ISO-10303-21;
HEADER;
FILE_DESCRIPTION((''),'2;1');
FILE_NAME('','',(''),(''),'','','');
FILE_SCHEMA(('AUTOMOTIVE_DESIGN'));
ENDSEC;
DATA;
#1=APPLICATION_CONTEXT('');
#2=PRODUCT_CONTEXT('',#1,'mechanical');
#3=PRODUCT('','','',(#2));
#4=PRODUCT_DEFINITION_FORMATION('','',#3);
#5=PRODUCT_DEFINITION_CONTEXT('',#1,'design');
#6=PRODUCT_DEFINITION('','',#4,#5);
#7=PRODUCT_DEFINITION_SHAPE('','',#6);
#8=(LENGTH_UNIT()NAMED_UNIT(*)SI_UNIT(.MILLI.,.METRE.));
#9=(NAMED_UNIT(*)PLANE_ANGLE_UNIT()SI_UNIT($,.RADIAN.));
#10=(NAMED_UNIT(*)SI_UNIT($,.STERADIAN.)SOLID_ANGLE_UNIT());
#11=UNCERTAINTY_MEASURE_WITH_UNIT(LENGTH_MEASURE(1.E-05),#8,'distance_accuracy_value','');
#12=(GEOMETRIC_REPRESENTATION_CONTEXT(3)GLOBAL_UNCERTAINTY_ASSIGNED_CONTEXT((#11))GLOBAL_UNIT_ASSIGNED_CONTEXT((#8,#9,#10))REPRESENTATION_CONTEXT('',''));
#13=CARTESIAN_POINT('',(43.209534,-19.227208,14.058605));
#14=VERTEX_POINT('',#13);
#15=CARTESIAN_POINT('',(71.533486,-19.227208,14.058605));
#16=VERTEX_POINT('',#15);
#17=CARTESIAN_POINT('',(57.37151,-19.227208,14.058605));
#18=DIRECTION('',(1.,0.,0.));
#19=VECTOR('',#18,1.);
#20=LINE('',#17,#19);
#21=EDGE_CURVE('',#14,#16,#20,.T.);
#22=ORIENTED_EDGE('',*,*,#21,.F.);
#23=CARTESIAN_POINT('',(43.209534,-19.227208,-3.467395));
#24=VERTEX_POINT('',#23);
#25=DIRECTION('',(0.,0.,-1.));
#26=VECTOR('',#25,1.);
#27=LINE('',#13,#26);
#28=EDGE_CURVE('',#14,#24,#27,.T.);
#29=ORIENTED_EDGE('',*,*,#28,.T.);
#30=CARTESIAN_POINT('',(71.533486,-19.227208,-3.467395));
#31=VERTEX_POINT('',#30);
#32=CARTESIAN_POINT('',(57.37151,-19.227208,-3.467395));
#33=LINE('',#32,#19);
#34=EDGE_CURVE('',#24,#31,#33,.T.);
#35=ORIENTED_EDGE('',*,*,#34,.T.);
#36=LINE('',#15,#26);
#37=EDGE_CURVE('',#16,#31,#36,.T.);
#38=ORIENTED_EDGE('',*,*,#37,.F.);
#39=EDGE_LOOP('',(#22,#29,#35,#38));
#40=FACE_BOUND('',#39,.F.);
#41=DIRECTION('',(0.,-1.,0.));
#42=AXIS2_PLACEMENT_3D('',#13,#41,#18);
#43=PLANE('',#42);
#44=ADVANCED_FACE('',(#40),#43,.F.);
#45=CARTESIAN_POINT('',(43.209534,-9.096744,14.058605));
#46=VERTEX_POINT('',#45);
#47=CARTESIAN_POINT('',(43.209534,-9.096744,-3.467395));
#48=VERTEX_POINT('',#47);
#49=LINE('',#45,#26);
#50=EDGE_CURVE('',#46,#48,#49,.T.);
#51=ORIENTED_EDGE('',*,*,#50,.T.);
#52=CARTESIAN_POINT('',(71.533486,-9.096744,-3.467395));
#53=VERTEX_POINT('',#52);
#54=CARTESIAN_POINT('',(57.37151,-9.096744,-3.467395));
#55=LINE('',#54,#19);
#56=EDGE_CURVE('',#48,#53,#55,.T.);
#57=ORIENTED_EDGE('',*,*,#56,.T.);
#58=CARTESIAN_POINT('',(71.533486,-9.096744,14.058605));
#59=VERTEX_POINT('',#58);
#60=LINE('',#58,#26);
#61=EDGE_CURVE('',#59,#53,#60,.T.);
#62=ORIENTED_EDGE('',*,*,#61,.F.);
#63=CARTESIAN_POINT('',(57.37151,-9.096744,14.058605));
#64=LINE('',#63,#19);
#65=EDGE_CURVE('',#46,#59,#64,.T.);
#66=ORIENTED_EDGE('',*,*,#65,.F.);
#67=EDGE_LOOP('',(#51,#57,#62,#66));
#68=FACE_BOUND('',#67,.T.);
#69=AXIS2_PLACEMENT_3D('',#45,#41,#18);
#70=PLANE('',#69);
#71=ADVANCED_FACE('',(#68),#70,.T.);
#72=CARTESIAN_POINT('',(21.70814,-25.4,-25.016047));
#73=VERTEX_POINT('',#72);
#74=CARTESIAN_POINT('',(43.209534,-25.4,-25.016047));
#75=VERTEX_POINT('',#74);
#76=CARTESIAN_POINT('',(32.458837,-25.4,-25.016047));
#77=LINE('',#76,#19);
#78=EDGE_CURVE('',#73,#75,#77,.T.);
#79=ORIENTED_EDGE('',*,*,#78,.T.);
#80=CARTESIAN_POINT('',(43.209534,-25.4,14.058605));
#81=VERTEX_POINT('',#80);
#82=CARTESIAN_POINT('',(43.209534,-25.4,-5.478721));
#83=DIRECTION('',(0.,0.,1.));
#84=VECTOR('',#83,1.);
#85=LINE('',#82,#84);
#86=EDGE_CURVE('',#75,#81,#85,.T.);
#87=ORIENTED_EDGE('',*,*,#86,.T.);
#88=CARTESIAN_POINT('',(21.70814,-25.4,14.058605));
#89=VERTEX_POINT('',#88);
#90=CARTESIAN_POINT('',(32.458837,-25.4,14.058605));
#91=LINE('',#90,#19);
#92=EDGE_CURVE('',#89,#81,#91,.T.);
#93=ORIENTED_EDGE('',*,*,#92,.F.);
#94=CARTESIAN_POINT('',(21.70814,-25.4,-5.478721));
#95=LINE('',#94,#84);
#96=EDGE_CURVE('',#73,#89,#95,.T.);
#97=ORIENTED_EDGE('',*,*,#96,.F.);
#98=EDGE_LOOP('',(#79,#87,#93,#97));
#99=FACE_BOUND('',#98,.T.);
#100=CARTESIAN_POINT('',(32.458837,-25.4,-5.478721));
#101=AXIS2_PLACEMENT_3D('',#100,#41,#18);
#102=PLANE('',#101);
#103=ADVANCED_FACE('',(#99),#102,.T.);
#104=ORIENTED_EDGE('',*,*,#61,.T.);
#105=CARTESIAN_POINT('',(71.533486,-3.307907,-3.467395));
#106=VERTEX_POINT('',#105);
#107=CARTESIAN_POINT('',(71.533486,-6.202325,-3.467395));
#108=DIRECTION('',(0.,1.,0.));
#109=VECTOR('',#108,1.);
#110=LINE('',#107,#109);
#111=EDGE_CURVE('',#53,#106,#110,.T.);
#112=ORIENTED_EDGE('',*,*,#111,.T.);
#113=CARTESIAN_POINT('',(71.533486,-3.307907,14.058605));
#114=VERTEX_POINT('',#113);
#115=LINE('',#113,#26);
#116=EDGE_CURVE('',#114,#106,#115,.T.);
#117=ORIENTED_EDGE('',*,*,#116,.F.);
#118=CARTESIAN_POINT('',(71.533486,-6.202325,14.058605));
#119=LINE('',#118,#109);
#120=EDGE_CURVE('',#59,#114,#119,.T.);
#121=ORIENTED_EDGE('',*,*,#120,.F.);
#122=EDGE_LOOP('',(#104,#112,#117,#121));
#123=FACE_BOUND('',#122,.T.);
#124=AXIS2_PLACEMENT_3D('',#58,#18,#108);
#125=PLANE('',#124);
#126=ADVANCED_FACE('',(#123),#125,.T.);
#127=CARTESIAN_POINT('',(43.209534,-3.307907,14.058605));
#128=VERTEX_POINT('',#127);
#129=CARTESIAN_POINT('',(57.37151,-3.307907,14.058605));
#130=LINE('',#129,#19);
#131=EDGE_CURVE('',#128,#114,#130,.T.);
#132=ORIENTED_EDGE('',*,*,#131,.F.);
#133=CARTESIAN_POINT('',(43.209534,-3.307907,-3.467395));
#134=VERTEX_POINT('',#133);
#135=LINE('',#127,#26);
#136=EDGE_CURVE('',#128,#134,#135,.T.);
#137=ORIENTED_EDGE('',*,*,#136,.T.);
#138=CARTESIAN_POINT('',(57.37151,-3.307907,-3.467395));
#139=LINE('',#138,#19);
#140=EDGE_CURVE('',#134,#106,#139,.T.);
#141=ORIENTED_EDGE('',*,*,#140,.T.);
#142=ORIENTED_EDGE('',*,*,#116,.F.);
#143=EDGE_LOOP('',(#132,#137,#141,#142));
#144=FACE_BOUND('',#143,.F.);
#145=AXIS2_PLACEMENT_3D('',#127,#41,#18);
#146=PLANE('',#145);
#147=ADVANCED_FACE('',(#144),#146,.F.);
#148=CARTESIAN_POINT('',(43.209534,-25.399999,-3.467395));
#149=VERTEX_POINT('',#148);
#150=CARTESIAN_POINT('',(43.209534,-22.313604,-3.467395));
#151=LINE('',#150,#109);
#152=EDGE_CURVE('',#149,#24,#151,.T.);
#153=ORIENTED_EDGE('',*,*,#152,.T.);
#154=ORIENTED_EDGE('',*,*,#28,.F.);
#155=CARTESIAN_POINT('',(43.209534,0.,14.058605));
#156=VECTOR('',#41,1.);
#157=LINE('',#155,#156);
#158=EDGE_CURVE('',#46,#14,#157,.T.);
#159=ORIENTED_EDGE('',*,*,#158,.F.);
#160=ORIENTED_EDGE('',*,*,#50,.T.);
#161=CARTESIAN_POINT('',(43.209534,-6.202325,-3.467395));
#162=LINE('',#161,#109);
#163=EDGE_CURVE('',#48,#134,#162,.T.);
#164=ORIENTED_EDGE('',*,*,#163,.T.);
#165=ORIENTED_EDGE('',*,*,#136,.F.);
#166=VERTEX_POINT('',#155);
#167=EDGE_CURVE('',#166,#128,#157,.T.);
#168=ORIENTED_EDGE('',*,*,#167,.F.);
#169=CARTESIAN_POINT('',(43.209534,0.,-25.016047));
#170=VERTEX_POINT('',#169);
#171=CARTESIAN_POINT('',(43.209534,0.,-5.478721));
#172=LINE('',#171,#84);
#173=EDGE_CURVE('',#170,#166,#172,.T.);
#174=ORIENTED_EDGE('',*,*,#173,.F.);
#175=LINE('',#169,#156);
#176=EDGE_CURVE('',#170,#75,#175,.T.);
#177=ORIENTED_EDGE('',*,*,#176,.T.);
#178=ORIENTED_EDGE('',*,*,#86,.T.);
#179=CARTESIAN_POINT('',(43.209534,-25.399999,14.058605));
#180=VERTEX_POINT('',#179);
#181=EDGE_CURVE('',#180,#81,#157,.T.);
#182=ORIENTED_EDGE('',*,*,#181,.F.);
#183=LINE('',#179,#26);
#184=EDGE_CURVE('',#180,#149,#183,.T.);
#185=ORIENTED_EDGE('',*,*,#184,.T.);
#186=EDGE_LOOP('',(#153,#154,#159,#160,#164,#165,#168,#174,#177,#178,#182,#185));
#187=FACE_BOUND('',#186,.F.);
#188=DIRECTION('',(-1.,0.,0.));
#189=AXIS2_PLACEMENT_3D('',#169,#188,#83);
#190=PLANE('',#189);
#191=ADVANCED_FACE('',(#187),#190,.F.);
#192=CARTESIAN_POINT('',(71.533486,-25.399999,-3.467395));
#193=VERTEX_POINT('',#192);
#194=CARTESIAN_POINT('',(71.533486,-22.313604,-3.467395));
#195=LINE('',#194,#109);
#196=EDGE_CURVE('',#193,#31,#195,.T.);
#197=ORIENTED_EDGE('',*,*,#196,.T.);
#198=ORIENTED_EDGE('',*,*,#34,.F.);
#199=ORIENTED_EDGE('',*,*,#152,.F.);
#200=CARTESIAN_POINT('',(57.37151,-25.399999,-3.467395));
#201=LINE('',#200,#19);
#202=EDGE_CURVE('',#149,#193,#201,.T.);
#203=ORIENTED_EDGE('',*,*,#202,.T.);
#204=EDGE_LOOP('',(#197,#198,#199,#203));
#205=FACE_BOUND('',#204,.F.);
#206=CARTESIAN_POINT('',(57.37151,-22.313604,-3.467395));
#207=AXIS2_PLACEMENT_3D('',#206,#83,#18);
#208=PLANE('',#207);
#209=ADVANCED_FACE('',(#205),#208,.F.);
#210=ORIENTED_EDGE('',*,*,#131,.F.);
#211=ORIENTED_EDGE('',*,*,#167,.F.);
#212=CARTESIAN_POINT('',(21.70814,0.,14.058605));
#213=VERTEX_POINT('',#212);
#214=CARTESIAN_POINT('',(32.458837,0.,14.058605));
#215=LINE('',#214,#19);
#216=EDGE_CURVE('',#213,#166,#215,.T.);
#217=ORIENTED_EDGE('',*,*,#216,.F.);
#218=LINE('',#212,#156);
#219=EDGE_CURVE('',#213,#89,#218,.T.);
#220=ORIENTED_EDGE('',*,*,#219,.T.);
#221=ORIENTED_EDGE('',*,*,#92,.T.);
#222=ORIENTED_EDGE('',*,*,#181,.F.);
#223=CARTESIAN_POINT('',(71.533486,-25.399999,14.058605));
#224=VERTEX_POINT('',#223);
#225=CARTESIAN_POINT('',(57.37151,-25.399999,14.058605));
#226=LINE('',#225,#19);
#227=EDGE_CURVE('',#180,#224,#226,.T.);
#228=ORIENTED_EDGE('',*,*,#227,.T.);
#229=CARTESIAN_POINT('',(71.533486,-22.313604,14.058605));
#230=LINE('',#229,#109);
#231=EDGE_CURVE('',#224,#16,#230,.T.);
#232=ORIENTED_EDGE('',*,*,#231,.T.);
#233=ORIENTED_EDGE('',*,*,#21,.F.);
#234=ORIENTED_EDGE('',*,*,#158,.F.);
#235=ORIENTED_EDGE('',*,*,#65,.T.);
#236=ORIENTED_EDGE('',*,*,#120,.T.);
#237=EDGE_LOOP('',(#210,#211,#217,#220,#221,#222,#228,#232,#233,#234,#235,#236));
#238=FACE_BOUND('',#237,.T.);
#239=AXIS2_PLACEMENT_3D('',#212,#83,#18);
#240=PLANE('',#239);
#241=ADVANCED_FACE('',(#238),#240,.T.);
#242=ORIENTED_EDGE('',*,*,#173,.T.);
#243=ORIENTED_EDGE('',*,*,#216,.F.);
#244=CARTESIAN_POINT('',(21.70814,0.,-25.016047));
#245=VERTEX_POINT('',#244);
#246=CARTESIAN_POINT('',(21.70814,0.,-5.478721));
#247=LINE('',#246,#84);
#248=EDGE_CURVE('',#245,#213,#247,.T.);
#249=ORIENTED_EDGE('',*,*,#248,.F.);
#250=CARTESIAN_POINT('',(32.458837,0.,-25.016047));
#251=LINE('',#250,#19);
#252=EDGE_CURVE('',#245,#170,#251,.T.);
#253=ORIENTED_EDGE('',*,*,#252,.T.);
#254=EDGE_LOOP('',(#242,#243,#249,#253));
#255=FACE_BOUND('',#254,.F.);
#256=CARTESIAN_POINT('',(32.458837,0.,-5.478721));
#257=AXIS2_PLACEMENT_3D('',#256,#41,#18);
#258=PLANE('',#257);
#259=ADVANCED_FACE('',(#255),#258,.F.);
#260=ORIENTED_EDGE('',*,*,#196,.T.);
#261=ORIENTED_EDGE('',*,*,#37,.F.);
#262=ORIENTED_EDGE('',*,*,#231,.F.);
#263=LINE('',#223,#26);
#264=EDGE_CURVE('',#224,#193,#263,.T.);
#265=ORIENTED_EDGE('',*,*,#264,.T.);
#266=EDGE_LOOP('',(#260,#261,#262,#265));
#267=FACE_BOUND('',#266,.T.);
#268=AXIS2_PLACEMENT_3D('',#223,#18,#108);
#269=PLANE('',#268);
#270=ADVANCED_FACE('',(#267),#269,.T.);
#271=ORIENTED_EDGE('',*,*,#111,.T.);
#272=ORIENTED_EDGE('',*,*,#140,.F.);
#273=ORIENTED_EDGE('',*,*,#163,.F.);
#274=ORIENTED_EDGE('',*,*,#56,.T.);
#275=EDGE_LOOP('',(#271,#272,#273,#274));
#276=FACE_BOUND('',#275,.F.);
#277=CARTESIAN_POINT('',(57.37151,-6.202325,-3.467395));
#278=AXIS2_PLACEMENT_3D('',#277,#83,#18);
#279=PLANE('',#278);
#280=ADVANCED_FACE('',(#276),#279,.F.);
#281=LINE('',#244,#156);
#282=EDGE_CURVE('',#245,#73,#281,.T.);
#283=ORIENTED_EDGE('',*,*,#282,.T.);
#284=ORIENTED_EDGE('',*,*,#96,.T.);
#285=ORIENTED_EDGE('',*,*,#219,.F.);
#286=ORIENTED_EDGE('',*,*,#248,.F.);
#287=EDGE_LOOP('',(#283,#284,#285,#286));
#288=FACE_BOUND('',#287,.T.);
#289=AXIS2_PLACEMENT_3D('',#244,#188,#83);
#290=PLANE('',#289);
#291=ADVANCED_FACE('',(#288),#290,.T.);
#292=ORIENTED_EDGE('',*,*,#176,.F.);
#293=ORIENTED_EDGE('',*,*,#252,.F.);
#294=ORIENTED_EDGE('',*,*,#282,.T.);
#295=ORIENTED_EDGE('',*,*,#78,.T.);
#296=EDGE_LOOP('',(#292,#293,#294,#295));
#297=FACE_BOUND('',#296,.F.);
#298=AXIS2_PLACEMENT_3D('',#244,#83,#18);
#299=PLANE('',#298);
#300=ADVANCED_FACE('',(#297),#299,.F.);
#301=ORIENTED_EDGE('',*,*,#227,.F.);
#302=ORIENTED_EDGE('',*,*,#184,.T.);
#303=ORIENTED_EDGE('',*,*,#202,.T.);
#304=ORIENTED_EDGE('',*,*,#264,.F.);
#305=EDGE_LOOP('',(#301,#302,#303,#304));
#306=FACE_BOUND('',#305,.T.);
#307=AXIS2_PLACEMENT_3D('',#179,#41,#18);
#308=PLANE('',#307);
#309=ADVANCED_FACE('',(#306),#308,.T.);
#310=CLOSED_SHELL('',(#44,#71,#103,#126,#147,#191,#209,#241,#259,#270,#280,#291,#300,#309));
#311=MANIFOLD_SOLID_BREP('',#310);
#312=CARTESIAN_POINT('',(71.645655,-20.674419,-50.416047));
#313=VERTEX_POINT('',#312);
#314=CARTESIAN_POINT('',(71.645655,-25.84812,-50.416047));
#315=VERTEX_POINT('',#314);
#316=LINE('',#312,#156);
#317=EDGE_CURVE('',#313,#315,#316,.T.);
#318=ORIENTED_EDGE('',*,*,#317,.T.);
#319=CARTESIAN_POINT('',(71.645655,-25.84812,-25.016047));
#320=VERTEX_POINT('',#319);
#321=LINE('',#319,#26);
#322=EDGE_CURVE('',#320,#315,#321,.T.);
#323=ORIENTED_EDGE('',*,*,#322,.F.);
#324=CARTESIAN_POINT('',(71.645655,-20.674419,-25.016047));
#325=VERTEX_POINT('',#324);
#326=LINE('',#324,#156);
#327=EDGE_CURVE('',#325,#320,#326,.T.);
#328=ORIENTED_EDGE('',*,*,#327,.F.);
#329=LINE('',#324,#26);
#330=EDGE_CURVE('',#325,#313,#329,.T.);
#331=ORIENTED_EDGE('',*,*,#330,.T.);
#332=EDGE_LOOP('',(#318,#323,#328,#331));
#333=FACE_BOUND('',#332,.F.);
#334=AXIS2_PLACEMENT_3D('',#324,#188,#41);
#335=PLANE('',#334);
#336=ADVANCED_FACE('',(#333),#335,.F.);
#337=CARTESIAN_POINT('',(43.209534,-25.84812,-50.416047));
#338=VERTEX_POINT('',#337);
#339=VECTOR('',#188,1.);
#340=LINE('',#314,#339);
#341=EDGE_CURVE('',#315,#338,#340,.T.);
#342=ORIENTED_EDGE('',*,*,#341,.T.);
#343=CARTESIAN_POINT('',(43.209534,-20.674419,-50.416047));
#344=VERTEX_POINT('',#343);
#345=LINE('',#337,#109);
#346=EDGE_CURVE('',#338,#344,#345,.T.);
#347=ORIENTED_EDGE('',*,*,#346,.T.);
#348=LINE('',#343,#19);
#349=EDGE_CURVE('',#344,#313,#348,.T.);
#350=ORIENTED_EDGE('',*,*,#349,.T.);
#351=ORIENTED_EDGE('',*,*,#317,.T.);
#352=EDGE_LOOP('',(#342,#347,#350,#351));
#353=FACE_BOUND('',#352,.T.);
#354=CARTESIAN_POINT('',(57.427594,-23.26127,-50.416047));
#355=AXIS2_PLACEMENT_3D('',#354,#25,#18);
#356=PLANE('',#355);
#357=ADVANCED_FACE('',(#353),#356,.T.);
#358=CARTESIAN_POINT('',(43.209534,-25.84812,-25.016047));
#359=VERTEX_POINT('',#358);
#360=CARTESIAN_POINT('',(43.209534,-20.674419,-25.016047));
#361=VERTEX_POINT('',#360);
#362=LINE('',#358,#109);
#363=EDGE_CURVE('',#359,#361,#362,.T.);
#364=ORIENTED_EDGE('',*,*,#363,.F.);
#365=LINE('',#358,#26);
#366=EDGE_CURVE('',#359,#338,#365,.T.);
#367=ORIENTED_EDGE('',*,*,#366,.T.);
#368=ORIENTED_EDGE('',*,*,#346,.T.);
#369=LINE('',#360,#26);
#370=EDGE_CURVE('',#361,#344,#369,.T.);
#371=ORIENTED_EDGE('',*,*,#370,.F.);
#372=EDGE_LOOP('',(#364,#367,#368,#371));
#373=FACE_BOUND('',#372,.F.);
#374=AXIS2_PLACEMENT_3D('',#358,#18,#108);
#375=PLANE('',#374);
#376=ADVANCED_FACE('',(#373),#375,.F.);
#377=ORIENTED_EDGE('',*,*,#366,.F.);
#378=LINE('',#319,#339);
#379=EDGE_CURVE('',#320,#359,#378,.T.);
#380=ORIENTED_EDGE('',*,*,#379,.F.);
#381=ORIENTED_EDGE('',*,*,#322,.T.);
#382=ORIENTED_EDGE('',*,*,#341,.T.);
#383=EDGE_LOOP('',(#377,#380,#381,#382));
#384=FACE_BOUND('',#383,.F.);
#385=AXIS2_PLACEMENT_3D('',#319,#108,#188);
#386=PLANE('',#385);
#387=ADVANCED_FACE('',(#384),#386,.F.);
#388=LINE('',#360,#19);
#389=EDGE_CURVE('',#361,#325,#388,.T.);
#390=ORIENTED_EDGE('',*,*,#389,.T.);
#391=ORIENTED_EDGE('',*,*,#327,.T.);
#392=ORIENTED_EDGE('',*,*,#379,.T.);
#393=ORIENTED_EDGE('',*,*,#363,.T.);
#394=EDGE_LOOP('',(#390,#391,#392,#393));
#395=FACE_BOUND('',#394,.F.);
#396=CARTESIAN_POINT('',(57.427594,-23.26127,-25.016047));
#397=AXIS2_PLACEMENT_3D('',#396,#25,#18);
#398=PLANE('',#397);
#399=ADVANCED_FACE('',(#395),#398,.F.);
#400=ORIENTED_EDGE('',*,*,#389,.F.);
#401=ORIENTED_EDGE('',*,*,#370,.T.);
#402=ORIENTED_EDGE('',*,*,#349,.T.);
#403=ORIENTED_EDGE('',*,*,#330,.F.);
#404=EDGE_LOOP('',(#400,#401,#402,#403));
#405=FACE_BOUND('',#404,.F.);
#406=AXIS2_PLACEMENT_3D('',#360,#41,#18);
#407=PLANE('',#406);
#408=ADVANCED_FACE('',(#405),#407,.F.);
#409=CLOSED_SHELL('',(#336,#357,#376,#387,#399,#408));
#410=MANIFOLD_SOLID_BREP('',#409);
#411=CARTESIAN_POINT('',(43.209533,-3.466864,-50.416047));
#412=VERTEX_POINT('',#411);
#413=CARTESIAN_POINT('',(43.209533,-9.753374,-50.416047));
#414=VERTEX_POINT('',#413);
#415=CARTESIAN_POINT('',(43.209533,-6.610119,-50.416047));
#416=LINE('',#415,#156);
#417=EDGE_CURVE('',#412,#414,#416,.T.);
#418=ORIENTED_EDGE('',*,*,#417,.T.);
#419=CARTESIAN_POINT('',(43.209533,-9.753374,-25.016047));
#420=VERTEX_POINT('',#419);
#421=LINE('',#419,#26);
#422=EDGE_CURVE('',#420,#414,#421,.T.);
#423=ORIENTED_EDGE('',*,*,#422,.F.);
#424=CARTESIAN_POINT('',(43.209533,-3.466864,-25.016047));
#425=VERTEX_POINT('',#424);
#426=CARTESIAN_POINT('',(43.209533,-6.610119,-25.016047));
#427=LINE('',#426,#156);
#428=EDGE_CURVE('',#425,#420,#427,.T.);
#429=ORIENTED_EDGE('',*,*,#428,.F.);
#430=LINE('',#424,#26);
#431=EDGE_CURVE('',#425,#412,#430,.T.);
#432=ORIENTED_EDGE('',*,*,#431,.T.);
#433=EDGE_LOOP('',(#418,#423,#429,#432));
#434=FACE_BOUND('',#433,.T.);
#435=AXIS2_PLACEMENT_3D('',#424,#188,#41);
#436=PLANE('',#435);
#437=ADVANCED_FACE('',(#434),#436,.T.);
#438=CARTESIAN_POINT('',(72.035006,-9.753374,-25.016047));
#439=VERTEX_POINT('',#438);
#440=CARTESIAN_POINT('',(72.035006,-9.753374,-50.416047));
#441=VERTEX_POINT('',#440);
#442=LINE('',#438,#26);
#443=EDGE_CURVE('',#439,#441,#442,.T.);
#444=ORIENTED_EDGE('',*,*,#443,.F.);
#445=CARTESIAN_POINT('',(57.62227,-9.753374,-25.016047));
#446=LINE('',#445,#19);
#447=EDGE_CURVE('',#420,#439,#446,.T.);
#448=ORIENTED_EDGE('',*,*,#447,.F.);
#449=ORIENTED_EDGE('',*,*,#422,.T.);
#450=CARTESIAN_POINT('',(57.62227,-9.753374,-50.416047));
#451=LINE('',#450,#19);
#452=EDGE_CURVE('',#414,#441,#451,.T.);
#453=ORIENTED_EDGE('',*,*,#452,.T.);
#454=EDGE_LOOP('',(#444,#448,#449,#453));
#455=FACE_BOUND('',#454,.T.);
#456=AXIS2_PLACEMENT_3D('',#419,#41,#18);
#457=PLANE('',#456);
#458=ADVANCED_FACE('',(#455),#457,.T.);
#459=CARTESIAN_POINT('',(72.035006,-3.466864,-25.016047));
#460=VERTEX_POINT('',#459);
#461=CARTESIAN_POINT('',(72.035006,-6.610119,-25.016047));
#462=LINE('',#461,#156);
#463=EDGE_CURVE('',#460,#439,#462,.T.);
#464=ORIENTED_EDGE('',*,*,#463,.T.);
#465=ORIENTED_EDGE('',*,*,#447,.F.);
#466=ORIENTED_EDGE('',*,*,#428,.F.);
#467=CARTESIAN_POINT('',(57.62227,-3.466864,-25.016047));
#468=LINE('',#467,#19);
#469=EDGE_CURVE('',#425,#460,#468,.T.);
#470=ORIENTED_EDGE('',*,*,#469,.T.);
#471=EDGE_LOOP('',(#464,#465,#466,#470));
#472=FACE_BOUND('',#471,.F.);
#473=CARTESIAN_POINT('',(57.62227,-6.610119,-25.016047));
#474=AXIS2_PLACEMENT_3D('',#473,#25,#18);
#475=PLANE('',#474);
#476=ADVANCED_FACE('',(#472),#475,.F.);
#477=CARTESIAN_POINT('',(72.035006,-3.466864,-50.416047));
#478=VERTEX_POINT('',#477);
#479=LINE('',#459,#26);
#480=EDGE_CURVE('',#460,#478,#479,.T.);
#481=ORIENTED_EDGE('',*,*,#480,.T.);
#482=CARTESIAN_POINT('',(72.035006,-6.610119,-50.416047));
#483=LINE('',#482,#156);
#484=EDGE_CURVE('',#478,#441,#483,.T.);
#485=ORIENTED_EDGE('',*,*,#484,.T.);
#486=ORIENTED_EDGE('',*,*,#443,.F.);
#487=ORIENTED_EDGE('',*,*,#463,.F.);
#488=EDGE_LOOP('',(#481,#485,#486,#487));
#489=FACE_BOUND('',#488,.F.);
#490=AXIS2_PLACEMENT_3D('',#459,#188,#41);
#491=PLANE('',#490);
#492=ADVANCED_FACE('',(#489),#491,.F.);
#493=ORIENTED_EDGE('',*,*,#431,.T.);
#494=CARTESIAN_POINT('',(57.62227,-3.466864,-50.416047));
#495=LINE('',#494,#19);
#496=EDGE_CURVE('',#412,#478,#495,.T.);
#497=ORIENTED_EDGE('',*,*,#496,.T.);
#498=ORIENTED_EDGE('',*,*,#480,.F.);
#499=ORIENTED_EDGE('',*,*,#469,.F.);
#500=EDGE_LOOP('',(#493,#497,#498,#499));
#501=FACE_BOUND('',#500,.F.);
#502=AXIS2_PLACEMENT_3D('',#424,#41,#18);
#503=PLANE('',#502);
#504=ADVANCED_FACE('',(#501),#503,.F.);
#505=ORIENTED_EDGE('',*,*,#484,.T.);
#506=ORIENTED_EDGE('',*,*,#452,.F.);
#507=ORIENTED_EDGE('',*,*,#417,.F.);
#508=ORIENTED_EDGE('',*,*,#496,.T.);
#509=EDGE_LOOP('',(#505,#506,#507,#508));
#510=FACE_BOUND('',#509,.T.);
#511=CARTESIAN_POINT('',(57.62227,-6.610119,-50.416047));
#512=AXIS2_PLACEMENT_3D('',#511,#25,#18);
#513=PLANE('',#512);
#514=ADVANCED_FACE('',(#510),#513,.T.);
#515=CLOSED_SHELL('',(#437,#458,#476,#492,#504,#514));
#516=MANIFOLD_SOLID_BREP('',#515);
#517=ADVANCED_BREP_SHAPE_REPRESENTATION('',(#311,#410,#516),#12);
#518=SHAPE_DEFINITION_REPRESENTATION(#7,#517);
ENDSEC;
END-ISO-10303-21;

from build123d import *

# Parameters (mm, degrees)
F1_W     = 21.501394
F1_H     = 39.074652
F2_DEPTH = 25.4
F3_W     = 28.323952
F3_H     = 6.172791
F3_H_2   = 5.788837
F4_DEPTH = 17.526
F5_W     = 28.825473
F5_H     = 6.28651
F6_DEPTH = 25.4


with BuildPart() as f2:
    # F1 (on face) → F2 (new body)
    with BuildSketch(Plane.XZ):
        with Locations((32.458837, -5.478721)):
            Rectangle(F1_W, F1_H)
    extrude(amount=F2_DEPTH)

    # F3 (on face) → F4 (join)
    with BuildSketch(Plane.XY.offset(14.058605)):
        with Locations((57.37151, -22.313604)):
            Rectangle(F3_W, F3_H)
        with Locations((57.37151, -6.202325)):
            Rectangle(F3_W, F3_H_2)
    extrude(amount=-F4_DEPTH)


with BuildPart() as f6:
    # F5 (on face) → F6 (new body)
    with BuildSketch(Plane(origin=(0, 0, -25.016047), x_dir=(1, 0, 0), z_dir=(0, 0, -1))):
        Polygon((43.209534, 25.84812), (43.209534, 22.948604), (43.209534, 20.674419), (54.16698, 20.674419), (71.645655, 20.674419), (71.645655, 25.84812), align=None)
        with Locations((57.62227, 6.610119)):
            Rectangle(F5_W, F5_H)
    extrude(amount=F6_DEPTH)


solid = Compound([f2.part, f6.part])
